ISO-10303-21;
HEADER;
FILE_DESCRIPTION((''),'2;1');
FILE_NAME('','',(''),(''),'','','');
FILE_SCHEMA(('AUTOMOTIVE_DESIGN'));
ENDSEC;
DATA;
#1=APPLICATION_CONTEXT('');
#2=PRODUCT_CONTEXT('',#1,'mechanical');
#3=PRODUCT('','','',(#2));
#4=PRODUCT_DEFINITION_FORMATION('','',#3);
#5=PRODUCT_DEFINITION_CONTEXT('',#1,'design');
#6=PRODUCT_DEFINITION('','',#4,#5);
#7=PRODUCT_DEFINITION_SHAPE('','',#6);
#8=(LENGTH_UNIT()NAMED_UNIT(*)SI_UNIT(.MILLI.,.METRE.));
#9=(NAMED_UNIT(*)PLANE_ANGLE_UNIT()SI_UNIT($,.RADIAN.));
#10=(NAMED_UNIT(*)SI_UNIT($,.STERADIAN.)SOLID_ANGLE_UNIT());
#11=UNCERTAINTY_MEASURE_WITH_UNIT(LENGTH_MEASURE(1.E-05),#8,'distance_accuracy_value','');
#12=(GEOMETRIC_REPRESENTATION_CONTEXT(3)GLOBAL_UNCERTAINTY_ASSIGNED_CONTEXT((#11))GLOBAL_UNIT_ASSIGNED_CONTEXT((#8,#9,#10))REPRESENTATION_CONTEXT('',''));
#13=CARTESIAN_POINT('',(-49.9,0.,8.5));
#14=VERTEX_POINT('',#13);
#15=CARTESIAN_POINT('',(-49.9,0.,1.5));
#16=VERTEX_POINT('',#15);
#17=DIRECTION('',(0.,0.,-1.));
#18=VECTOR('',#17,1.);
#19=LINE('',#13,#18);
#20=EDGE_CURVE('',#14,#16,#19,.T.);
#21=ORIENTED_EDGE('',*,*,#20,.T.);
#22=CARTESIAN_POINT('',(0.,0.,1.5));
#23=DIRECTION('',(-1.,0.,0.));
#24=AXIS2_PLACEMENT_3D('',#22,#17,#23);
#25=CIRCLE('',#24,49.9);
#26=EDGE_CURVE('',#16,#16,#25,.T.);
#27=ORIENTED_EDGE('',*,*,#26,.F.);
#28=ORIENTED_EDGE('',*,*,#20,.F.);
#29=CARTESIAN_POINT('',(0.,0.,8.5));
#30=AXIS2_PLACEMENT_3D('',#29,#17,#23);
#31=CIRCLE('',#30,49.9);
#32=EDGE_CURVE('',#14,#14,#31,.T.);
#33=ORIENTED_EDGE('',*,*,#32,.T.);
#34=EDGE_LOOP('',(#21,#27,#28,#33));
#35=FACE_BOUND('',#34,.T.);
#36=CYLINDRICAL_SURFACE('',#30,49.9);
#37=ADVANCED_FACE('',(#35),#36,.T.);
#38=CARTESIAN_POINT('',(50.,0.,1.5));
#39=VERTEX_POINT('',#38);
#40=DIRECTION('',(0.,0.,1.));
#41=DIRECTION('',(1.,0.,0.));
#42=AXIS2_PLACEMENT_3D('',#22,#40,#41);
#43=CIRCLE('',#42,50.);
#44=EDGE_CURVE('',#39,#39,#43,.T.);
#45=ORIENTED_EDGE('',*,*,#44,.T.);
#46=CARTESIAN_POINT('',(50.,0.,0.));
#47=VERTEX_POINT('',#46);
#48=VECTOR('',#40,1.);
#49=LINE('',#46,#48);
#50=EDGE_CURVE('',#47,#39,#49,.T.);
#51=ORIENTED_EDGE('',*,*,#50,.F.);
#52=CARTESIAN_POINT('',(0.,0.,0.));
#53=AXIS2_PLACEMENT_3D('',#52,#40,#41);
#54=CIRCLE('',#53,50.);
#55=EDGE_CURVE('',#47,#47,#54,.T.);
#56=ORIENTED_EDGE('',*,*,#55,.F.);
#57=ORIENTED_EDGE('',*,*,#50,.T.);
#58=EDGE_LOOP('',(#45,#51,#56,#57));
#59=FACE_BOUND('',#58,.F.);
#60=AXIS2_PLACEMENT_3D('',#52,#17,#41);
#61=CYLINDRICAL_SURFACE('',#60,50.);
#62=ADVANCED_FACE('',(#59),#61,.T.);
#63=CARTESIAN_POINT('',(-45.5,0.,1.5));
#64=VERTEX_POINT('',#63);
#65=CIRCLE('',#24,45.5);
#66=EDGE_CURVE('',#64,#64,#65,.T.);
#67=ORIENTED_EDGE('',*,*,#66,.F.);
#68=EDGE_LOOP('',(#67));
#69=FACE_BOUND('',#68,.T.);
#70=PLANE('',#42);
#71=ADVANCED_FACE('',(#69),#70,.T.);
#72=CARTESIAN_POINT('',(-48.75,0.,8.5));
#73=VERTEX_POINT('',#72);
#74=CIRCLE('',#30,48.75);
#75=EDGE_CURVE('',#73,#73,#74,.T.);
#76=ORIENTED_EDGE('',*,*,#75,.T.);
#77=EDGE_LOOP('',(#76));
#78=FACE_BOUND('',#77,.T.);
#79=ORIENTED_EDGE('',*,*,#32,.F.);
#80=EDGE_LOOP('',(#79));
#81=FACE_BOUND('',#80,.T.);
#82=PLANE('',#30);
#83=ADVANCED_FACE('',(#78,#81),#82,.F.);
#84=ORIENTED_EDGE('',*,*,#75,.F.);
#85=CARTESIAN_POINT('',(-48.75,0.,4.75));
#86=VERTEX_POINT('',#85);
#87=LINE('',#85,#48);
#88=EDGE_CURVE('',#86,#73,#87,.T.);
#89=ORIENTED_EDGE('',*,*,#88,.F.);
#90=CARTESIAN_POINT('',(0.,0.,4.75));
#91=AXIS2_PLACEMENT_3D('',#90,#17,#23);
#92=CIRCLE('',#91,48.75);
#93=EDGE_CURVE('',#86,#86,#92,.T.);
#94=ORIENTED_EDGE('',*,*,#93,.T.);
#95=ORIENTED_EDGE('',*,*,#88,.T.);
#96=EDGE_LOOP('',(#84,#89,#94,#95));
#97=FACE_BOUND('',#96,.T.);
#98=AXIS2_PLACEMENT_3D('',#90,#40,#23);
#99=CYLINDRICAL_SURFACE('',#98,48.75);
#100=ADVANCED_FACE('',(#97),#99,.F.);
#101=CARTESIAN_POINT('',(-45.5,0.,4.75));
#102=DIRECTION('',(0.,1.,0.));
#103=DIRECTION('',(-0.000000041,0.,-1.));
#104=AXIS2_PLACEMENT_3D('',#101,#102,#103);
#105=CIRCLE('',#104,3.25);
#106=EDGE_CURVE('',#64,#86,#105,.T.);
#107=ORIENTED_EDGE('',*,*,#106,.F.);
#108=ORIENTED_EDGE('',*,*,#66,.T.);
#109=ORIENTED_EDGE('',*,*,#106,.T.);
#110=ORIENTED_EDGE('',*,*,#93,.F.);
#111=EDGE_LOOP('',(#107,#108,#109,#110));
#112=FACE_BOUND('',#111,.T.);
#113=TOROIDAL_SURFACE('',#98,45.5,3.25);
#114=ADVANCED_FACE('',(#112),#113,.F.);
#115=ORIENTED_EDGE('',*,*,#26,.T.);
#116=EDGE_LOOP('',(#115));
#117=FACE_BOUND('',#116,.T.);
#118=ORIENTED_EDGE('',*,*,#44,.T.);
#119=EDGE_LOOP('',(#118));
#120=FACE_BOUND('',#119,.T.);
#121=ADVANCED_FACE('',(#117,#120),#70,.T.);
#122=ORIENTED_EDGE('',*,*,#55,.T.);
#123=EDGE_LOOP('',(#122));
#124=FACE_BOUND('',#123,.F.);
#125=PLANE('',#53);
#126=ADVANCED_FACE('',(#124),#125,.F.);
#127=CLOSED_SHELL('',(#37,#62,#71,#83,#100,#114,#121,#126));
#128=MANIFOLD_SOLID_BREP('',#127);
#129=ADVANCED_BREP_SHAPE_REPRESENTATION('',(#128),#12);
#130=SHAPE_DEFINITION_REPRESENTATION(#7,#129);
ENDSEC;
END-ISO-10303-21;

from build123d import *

# Parameters (mm, degrees)
F0_R     = 50
F1_DEPTH = 1.5


with BuildPart() as f1:
    # F0 (on Top) → F1 (new body)
    with BuildSketch(Plane.XY):
        Circle(F0_R)
    extrude(amount=F1_DEPTH)

    # F2 (on Front) → F3 (revolve)
    with BuildSketch(Plane.XZ):
        with BuildLine():
            Line((-49.9, 8.5), (-49.9, 0))
            Line((-49.9, 0), (-48.75, 0))
            Line((-48.75, 0), (-45.5, 0))
            Line((-45.5, 0), (-45.5, 1.5))
            ThreePointArc((-45.5, 1.5), (-47.798097, 2.451903), (-48.75, 4.75))
            Line((-48.75, 4.75), (-48.75, 8.5))
            Line((-48.75, 8.5), (-49.9, 8.5))
        make_face()
    revolve(axis=Axis((0, 0, 0), (0, 0, -1)))


solid = f1.part
